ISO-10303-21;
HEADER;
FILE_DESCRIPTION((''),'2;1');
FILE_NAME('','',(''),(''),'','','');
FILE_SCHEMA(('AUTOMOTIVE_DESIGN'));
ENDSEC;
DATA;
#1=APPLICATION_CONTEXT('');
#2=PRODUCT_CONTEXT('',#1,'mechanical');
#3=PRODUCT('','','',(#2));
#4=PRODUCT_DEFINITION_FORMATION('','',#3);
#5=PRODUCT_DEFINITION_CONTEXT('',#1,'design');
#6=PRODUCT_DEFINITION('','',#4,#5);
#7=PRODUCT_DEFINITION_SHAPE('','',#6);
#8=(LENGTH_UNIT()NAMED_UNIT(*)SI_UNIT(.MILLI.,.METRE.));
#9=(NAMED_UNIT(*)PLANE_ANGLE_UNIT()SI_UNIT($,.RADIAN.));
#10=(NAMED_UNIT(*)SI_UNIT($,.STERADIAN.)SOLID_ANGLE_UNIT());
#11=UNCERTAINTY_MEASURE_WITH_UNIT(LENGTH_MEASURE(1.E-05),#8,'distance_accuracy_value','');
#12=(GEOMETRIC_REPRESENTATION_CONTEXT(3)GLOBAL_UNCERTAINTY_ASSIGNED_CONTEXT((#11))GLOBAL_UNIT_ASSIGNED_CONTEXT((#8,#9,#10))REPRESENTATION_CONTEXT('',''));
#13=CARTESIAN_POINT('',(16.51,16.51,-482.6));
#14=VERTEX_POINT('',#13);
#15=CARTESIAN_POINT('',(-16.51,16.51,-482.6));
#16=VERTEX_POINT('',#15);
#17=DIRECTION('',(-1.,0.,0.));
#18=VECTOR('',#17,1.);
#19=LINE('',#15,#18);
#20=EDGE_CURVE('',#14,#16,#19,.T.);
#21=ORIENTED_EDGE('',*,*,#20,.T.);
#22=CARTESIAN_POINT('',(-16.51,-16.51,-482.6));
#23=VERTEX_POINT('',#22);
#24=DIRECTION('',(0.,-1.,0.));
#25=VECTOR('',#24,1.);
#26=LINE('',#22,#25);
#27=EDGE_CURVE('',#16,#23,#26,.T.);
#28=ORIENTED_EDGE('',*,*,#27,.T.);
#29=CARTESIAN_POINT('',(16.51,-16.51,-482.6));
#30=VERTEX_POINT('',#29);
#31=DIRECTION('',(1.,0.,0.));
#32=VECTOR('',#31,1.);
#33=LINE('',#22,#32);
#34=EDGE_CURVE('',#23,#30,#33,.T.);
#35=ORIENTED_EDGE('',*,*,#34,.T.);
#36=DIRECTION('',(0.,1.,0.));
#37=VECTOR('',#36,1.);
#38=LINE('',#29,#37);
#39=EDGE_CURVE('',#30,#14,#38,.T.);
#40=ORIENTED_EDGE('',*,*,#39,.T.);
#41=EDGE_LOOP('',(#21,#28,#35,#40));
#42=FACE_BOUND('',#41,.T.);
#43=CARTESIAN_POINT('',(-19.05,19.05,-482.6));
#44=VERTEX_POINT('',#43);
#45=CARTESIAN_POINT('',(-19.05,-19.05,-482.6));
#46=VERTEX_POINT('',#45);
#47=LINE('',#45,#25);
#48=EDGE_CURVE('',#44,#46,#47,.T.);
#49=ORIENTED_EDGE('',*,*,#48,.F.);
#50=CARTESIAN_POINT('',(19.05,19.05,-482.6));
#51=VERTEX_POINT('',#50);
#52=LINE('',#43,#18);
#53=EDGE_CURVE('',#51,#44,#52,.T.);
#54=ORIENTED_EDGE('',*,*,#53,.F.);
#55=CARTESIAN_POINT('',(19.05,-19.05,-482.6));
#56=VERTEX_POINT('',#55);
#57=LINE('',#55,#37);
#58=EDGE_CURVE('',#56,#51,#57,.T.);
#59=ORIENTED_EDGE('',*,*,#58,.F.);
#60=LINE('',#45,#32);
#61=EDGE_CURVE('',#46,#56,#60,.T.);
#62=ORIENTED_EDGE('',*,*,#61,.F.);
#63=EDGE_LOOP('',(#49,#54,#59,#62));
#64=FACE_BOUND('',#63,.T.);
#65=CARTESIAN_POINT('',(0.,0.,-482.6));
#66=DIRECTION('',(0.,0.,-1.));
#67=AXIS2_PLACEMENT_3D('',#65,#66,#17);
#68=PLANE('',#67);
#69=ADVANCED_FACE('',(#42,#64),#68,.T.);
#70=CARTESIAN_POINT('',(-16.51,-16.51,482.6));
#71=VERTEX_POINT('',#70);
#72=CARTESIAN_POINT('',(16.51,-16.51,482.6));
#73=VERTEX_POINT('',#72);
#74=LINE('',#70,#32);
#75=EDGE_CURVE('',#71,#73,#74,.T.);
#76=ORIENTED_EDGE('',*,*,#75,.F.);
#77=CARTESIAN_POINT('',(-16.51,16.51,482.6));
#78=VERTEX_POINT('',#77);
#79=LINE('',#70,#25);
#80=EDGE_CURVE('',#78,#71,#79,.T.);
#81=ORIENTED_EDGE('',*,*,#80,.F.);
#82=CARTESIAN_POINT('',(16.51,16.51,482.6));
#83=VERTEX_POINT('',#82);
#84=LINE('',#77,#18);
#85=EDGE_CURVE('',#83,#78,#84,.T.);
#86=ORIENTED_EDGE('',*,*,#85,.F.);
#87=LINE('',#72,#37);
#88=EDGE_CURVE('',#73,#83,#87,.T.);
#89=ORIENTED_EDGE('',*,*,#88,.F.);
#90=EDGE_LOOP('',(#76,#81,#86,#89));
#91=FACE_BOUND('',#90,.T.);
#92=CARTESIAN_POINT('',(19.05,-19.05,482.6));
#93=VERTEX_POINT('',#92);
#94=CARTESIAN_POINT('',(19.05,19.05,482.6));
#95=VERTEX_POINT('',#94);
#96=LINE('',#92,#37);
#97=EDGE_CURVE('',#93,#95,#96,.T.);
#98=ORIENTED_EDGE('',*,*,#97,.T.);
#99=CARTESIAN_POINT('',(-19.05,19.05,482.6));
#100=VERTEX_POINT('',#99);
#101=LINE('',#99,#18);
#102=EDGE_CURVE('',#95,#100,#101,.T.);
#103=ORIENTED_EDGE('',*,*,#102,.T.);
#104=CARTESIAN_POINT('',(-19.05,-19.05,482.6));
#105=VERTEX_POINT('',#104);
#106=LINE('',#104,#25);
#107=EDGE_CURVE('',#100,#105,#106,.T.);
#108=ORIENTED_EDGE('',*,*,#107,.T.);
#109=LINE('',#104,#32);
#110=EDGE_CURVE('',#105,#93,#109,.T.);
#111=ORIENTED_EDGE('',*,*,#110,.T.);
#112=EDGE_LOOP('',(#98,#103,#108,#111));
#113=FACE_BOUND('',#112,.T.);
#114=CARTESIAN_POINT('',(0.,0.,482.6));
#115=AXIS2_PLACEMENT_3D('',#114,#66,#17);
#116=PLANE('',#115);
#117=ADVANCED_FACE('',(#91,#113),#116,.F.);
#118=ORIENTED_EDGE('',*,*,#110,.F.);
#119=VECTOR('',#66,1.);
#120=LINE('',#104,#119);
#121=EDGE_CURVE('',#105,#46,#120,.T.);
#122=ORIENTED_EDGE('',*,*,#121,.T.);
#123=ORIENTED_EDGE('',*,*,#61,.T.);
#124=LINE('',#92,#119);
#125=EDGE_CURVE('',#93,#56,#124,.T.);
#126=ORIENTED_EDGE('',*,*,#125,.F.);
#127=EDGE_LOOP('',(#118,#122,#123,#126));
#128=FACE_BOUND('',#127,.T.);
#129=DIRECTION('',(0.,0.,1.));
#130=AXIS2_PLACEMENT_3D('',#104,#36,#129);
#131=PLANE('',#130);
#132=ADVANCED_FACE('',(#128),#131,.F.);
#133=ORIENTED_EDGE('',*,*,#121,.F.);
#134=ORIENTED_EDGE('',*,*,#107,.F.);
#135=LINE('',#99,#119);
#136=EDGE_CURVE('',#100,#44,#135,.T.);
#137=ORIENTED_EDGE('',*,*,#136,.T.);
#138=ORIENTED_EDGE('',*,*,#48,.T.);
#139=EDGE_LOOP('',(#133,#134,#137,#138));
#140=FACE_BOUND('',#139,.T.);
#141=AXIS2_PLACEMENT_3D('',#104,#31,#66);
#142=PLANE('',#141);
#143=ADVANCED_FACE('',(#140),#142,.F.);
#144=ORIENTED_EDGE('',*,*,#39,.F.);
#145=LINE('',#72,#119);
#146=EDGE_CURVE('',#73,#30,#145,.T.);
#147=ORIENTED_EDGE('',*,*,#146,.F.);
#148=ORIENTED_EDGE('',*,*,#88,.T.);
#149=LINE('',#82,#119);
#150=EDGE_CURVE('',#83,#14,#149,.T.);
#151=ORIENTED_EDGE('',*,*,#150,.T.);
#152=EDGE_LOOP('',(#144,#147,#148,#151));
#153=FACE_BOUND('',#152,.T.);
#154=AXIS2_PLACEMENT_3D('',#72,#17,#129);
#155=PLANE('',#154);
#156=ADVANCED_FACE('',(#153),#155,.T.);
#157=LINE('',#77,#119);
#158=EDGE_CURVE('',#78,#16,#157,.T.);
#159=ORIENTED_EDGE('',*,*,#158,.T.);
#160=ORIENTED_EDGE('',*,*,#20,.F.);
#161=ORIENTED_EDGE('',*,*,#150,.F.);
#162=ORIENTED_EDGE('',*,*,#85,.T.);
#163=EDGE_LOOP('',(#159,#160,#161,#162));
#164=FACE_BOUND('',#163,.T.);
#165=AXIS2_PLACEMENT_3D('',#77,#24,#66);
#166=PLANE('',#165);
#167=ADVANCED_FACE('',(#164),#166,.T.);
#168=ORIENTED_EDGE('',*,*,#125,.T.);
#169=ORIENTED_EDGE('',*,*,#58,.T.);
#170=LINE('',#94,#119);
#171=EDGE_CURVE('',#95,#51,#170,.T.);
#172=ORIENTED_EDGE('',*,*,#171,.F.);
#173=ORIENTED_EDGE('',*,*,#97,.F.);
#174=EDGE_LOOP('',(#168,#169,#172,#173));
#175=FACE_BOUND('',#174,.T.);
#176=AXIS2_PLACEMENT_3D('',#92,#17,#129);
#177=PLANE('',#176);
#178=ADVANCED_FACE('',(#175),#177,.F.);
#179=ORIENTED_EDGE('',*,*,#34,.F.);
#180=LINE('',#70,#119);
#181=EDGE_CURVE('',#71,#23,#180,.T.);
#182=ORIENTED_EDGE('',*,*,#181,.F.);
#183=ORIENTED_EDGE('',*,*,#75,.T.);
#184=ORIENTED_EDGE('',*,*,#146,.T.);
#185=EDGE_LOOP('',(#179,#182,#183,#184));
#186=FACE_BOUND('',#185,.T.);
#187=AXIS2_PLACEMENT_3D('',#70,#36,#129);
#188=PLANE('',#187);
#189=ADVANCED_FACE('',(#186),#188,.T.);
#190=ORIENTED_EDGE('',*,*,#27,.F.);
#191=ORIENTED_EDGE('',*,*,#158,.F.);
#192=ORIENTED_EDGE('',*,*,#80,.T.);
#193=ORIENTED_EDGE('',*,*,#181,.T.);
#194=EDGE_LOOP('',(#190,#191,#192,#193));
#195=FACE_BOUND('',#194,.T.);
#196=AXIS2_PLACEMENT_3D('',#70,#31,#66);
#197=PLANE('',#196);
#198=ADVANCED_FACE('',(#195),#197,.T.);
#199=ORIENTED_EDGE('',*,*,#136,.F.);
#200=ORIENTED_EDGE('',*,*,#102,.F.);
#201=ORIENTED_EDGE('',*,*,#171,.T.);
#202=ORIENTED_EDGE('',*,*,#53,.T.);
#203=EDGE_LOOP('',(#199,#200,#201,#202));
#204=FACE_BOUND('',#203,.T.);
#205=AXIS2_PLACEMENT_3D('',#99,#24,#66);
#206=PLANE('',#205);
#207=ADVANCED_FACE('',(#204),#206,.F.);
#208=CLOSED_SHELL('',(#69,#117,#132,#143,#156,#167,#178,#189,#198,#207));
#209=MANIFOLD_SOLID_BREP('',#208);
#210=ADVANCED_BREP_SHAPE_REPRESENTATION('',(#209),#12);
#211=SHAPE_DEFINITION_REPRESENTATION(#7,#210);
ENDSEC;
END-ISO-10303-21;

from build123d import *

# Parameters (mm, degrees)
SKETCH1_W           = 38.1
SKETCH1_H           = 38.1
SKETCH1_W_2         = 33.02
SKETCH1_H_2         = 33.02
BOSS_EXTRUDE1_DEPTH = 482.6


with BuildPart() as part:
    # Sketch1 → Boss-Extrude1 (new, symmetric)
    with BuildSketch(Plane.XY):
        Rectangle(SKETCH1_W, SKETCH1_H)
        Rectangle(SKETCH1_W_2, SKETCH1_H_2, mode=Mode.SUBTRACT)
    extrude(amount=BOSS_EXTRUDE1_DEPTH, both=True)


solid = part.part
